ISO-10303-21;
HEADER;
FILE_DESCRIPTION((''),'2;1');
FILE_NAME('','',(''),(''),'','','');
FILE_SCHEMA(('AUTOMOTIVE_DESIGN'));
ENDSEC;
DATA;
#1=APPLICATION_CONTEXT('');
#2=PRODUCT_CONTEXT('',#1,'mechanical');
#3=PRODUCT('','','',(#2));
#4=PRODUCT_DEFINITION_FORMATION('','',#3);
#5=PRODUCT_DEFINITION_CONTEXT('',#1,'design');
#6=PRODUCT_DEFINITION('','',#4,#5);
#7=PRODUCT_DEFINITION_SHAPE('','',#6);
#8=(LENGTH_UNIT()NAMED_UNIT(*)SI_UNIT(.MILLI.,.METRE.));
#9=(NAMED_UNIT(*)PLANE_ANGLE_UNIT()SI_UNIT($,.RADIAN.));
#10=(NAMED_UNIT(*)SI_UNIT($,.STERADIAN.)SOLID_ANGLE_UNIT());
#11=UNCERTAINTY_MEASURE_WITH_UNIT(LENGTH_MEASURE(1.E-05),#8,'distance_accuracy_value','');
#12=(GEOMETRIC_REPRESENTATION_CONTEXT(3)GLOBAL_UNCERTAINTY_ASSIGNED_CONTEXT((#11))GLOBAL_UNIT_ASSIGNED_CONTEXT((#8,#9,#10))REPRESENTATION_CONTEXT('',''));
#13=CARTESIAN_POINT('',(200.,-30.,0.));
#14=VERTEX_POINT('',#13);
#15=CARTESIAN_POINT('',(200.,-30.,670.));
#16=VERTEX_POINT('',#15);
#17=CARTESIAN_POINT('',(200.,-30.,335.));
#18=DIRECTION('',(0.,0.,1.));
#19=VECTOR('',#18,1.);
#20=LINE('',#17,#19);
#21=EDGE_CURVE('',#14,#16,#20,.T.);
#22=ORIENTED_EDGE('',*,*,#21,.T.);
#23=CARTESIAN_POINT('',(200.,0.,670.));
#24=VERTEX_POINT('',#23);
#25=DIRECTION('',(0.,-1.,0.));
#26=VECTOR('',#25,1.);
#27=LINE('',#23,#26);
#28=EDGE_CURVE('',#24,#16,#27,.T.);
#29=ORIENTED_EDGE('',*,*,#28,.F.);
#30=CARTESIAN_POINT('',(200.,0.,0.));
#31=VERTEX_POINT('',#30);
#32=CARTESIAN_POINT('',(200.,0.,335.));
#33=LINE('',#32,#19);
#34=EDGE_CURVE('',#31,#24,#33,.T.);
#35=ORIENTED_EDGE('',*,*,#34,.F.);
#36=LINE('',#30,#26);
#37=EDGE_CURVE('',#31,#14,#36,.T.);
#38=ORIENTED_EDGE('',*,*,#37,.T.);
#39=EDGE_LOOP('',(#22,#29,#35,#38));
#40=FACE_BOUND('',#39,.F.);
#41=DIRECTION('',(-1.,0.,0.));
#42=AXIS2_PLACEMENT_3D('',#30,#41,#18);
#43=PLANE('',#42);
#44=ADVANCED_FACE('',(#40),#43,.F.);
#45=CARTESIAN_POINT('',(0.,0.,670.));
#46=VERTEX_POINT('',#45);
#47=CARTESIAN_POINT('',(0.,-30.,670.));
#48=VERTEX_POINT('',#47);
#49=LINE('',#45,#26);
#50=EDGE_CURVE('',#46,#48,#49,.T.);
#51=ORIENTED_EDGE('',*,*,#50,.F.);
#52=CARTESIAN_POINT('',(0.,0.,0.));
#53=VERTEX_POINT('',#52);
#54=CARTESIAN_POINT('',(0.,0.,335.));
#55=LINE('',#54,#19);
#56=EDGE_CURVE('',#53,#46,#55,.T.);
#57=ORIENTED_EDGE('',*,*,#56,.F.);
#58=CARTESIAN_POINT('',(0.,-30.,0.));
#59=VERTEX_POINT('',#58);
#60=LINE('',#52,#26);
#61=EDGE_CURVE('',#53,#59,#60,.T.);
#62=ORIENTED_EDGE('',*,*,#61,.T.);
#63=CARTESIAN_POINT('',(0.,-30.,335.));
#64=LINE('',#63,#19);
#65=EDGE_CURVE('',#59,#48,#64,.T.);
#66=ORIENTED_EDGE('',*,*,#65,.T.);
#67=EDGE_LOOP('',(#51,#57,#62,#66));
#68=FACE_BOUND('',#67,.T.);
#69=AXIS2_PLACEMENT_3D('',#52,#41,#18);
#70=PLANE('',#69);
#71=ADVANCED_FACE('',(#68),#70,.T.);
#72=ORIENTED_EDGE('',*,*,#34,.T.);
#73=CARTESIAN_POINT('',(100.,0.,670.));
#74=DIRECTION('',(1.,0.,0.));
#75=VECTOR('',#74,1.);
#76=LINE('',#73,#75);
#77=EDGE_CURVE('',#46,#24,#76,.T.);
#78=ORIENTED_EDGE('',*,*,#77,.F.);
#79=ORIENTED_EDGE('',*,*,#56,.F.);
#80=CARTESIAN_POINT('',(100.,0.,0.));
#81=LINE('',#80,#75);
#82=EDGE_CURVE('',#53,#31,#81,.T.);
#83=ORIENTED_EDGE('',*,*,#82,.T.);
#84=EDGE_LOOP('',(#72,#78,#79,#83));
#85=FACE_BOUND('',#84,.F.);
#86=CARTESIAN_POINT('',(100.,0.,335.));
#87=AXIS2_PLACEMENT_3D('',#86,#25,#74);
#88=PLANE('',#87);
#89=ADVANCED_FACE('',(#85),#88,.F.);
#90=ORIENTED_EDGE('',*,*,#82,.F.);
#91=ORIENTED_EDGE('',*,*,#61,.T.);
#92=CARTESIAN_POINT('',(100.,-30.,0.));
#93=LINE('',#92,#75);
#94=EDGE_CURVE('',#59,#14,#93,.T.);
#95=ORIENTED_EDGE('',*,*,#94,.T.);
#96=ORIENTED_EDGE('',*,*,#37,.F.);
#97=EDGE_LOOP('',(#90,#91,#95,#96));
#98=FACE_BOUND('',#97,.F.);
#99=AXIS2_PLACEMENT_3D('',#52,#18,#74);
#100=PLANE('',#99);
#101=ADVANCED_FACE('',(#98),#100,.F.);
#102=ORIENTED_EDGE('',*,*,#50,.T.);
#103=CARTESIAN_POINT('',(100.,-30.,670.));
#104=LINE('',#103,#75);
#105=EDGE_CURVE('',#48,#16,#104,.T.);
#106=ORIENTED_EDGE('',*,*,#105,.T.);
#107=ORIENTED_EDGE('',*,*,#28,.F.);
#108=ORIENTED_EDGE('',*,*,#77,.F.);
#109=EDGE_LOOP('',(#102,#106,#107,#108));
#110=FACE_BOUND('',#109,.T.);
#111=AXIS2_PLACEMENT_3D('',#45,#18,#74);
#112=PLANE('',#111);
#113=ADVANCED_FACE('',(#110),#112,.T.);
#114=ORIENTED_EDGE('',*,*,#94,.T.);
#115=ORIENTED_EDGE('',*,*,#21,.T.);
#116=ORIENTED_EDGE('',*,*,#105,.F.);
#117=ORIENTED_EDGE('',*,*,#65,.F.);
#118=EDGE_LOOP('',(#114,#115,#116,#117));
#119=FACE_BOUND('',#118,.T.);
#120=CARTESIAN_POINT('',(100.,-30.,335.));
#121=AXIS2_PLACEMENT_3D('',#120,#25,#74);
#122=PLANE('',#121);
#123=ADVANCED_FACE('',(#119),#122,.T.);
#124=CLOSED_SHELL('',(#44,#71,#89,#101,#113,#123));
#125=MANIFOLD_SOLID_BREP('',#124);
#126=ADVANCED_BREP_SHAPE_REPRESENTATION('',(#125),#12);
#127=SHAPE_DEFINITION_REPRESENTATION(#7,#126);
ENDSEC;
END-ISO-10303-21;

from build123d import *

# Parameters (mm, degrees)
SKETCH_W  = 200
SKETCH_H  = 670
PAD_DEPTH = 30


with BuildPart() as part:
    # Sketch → Pad (new body)
    with BuildSketch(Plane.XZ):
        with Locations((100, 335)):
            Rectangle(SKETCH_W, SKETCH_H)
    extrude(amount=PAD_DEPTH)


solid = part.part
